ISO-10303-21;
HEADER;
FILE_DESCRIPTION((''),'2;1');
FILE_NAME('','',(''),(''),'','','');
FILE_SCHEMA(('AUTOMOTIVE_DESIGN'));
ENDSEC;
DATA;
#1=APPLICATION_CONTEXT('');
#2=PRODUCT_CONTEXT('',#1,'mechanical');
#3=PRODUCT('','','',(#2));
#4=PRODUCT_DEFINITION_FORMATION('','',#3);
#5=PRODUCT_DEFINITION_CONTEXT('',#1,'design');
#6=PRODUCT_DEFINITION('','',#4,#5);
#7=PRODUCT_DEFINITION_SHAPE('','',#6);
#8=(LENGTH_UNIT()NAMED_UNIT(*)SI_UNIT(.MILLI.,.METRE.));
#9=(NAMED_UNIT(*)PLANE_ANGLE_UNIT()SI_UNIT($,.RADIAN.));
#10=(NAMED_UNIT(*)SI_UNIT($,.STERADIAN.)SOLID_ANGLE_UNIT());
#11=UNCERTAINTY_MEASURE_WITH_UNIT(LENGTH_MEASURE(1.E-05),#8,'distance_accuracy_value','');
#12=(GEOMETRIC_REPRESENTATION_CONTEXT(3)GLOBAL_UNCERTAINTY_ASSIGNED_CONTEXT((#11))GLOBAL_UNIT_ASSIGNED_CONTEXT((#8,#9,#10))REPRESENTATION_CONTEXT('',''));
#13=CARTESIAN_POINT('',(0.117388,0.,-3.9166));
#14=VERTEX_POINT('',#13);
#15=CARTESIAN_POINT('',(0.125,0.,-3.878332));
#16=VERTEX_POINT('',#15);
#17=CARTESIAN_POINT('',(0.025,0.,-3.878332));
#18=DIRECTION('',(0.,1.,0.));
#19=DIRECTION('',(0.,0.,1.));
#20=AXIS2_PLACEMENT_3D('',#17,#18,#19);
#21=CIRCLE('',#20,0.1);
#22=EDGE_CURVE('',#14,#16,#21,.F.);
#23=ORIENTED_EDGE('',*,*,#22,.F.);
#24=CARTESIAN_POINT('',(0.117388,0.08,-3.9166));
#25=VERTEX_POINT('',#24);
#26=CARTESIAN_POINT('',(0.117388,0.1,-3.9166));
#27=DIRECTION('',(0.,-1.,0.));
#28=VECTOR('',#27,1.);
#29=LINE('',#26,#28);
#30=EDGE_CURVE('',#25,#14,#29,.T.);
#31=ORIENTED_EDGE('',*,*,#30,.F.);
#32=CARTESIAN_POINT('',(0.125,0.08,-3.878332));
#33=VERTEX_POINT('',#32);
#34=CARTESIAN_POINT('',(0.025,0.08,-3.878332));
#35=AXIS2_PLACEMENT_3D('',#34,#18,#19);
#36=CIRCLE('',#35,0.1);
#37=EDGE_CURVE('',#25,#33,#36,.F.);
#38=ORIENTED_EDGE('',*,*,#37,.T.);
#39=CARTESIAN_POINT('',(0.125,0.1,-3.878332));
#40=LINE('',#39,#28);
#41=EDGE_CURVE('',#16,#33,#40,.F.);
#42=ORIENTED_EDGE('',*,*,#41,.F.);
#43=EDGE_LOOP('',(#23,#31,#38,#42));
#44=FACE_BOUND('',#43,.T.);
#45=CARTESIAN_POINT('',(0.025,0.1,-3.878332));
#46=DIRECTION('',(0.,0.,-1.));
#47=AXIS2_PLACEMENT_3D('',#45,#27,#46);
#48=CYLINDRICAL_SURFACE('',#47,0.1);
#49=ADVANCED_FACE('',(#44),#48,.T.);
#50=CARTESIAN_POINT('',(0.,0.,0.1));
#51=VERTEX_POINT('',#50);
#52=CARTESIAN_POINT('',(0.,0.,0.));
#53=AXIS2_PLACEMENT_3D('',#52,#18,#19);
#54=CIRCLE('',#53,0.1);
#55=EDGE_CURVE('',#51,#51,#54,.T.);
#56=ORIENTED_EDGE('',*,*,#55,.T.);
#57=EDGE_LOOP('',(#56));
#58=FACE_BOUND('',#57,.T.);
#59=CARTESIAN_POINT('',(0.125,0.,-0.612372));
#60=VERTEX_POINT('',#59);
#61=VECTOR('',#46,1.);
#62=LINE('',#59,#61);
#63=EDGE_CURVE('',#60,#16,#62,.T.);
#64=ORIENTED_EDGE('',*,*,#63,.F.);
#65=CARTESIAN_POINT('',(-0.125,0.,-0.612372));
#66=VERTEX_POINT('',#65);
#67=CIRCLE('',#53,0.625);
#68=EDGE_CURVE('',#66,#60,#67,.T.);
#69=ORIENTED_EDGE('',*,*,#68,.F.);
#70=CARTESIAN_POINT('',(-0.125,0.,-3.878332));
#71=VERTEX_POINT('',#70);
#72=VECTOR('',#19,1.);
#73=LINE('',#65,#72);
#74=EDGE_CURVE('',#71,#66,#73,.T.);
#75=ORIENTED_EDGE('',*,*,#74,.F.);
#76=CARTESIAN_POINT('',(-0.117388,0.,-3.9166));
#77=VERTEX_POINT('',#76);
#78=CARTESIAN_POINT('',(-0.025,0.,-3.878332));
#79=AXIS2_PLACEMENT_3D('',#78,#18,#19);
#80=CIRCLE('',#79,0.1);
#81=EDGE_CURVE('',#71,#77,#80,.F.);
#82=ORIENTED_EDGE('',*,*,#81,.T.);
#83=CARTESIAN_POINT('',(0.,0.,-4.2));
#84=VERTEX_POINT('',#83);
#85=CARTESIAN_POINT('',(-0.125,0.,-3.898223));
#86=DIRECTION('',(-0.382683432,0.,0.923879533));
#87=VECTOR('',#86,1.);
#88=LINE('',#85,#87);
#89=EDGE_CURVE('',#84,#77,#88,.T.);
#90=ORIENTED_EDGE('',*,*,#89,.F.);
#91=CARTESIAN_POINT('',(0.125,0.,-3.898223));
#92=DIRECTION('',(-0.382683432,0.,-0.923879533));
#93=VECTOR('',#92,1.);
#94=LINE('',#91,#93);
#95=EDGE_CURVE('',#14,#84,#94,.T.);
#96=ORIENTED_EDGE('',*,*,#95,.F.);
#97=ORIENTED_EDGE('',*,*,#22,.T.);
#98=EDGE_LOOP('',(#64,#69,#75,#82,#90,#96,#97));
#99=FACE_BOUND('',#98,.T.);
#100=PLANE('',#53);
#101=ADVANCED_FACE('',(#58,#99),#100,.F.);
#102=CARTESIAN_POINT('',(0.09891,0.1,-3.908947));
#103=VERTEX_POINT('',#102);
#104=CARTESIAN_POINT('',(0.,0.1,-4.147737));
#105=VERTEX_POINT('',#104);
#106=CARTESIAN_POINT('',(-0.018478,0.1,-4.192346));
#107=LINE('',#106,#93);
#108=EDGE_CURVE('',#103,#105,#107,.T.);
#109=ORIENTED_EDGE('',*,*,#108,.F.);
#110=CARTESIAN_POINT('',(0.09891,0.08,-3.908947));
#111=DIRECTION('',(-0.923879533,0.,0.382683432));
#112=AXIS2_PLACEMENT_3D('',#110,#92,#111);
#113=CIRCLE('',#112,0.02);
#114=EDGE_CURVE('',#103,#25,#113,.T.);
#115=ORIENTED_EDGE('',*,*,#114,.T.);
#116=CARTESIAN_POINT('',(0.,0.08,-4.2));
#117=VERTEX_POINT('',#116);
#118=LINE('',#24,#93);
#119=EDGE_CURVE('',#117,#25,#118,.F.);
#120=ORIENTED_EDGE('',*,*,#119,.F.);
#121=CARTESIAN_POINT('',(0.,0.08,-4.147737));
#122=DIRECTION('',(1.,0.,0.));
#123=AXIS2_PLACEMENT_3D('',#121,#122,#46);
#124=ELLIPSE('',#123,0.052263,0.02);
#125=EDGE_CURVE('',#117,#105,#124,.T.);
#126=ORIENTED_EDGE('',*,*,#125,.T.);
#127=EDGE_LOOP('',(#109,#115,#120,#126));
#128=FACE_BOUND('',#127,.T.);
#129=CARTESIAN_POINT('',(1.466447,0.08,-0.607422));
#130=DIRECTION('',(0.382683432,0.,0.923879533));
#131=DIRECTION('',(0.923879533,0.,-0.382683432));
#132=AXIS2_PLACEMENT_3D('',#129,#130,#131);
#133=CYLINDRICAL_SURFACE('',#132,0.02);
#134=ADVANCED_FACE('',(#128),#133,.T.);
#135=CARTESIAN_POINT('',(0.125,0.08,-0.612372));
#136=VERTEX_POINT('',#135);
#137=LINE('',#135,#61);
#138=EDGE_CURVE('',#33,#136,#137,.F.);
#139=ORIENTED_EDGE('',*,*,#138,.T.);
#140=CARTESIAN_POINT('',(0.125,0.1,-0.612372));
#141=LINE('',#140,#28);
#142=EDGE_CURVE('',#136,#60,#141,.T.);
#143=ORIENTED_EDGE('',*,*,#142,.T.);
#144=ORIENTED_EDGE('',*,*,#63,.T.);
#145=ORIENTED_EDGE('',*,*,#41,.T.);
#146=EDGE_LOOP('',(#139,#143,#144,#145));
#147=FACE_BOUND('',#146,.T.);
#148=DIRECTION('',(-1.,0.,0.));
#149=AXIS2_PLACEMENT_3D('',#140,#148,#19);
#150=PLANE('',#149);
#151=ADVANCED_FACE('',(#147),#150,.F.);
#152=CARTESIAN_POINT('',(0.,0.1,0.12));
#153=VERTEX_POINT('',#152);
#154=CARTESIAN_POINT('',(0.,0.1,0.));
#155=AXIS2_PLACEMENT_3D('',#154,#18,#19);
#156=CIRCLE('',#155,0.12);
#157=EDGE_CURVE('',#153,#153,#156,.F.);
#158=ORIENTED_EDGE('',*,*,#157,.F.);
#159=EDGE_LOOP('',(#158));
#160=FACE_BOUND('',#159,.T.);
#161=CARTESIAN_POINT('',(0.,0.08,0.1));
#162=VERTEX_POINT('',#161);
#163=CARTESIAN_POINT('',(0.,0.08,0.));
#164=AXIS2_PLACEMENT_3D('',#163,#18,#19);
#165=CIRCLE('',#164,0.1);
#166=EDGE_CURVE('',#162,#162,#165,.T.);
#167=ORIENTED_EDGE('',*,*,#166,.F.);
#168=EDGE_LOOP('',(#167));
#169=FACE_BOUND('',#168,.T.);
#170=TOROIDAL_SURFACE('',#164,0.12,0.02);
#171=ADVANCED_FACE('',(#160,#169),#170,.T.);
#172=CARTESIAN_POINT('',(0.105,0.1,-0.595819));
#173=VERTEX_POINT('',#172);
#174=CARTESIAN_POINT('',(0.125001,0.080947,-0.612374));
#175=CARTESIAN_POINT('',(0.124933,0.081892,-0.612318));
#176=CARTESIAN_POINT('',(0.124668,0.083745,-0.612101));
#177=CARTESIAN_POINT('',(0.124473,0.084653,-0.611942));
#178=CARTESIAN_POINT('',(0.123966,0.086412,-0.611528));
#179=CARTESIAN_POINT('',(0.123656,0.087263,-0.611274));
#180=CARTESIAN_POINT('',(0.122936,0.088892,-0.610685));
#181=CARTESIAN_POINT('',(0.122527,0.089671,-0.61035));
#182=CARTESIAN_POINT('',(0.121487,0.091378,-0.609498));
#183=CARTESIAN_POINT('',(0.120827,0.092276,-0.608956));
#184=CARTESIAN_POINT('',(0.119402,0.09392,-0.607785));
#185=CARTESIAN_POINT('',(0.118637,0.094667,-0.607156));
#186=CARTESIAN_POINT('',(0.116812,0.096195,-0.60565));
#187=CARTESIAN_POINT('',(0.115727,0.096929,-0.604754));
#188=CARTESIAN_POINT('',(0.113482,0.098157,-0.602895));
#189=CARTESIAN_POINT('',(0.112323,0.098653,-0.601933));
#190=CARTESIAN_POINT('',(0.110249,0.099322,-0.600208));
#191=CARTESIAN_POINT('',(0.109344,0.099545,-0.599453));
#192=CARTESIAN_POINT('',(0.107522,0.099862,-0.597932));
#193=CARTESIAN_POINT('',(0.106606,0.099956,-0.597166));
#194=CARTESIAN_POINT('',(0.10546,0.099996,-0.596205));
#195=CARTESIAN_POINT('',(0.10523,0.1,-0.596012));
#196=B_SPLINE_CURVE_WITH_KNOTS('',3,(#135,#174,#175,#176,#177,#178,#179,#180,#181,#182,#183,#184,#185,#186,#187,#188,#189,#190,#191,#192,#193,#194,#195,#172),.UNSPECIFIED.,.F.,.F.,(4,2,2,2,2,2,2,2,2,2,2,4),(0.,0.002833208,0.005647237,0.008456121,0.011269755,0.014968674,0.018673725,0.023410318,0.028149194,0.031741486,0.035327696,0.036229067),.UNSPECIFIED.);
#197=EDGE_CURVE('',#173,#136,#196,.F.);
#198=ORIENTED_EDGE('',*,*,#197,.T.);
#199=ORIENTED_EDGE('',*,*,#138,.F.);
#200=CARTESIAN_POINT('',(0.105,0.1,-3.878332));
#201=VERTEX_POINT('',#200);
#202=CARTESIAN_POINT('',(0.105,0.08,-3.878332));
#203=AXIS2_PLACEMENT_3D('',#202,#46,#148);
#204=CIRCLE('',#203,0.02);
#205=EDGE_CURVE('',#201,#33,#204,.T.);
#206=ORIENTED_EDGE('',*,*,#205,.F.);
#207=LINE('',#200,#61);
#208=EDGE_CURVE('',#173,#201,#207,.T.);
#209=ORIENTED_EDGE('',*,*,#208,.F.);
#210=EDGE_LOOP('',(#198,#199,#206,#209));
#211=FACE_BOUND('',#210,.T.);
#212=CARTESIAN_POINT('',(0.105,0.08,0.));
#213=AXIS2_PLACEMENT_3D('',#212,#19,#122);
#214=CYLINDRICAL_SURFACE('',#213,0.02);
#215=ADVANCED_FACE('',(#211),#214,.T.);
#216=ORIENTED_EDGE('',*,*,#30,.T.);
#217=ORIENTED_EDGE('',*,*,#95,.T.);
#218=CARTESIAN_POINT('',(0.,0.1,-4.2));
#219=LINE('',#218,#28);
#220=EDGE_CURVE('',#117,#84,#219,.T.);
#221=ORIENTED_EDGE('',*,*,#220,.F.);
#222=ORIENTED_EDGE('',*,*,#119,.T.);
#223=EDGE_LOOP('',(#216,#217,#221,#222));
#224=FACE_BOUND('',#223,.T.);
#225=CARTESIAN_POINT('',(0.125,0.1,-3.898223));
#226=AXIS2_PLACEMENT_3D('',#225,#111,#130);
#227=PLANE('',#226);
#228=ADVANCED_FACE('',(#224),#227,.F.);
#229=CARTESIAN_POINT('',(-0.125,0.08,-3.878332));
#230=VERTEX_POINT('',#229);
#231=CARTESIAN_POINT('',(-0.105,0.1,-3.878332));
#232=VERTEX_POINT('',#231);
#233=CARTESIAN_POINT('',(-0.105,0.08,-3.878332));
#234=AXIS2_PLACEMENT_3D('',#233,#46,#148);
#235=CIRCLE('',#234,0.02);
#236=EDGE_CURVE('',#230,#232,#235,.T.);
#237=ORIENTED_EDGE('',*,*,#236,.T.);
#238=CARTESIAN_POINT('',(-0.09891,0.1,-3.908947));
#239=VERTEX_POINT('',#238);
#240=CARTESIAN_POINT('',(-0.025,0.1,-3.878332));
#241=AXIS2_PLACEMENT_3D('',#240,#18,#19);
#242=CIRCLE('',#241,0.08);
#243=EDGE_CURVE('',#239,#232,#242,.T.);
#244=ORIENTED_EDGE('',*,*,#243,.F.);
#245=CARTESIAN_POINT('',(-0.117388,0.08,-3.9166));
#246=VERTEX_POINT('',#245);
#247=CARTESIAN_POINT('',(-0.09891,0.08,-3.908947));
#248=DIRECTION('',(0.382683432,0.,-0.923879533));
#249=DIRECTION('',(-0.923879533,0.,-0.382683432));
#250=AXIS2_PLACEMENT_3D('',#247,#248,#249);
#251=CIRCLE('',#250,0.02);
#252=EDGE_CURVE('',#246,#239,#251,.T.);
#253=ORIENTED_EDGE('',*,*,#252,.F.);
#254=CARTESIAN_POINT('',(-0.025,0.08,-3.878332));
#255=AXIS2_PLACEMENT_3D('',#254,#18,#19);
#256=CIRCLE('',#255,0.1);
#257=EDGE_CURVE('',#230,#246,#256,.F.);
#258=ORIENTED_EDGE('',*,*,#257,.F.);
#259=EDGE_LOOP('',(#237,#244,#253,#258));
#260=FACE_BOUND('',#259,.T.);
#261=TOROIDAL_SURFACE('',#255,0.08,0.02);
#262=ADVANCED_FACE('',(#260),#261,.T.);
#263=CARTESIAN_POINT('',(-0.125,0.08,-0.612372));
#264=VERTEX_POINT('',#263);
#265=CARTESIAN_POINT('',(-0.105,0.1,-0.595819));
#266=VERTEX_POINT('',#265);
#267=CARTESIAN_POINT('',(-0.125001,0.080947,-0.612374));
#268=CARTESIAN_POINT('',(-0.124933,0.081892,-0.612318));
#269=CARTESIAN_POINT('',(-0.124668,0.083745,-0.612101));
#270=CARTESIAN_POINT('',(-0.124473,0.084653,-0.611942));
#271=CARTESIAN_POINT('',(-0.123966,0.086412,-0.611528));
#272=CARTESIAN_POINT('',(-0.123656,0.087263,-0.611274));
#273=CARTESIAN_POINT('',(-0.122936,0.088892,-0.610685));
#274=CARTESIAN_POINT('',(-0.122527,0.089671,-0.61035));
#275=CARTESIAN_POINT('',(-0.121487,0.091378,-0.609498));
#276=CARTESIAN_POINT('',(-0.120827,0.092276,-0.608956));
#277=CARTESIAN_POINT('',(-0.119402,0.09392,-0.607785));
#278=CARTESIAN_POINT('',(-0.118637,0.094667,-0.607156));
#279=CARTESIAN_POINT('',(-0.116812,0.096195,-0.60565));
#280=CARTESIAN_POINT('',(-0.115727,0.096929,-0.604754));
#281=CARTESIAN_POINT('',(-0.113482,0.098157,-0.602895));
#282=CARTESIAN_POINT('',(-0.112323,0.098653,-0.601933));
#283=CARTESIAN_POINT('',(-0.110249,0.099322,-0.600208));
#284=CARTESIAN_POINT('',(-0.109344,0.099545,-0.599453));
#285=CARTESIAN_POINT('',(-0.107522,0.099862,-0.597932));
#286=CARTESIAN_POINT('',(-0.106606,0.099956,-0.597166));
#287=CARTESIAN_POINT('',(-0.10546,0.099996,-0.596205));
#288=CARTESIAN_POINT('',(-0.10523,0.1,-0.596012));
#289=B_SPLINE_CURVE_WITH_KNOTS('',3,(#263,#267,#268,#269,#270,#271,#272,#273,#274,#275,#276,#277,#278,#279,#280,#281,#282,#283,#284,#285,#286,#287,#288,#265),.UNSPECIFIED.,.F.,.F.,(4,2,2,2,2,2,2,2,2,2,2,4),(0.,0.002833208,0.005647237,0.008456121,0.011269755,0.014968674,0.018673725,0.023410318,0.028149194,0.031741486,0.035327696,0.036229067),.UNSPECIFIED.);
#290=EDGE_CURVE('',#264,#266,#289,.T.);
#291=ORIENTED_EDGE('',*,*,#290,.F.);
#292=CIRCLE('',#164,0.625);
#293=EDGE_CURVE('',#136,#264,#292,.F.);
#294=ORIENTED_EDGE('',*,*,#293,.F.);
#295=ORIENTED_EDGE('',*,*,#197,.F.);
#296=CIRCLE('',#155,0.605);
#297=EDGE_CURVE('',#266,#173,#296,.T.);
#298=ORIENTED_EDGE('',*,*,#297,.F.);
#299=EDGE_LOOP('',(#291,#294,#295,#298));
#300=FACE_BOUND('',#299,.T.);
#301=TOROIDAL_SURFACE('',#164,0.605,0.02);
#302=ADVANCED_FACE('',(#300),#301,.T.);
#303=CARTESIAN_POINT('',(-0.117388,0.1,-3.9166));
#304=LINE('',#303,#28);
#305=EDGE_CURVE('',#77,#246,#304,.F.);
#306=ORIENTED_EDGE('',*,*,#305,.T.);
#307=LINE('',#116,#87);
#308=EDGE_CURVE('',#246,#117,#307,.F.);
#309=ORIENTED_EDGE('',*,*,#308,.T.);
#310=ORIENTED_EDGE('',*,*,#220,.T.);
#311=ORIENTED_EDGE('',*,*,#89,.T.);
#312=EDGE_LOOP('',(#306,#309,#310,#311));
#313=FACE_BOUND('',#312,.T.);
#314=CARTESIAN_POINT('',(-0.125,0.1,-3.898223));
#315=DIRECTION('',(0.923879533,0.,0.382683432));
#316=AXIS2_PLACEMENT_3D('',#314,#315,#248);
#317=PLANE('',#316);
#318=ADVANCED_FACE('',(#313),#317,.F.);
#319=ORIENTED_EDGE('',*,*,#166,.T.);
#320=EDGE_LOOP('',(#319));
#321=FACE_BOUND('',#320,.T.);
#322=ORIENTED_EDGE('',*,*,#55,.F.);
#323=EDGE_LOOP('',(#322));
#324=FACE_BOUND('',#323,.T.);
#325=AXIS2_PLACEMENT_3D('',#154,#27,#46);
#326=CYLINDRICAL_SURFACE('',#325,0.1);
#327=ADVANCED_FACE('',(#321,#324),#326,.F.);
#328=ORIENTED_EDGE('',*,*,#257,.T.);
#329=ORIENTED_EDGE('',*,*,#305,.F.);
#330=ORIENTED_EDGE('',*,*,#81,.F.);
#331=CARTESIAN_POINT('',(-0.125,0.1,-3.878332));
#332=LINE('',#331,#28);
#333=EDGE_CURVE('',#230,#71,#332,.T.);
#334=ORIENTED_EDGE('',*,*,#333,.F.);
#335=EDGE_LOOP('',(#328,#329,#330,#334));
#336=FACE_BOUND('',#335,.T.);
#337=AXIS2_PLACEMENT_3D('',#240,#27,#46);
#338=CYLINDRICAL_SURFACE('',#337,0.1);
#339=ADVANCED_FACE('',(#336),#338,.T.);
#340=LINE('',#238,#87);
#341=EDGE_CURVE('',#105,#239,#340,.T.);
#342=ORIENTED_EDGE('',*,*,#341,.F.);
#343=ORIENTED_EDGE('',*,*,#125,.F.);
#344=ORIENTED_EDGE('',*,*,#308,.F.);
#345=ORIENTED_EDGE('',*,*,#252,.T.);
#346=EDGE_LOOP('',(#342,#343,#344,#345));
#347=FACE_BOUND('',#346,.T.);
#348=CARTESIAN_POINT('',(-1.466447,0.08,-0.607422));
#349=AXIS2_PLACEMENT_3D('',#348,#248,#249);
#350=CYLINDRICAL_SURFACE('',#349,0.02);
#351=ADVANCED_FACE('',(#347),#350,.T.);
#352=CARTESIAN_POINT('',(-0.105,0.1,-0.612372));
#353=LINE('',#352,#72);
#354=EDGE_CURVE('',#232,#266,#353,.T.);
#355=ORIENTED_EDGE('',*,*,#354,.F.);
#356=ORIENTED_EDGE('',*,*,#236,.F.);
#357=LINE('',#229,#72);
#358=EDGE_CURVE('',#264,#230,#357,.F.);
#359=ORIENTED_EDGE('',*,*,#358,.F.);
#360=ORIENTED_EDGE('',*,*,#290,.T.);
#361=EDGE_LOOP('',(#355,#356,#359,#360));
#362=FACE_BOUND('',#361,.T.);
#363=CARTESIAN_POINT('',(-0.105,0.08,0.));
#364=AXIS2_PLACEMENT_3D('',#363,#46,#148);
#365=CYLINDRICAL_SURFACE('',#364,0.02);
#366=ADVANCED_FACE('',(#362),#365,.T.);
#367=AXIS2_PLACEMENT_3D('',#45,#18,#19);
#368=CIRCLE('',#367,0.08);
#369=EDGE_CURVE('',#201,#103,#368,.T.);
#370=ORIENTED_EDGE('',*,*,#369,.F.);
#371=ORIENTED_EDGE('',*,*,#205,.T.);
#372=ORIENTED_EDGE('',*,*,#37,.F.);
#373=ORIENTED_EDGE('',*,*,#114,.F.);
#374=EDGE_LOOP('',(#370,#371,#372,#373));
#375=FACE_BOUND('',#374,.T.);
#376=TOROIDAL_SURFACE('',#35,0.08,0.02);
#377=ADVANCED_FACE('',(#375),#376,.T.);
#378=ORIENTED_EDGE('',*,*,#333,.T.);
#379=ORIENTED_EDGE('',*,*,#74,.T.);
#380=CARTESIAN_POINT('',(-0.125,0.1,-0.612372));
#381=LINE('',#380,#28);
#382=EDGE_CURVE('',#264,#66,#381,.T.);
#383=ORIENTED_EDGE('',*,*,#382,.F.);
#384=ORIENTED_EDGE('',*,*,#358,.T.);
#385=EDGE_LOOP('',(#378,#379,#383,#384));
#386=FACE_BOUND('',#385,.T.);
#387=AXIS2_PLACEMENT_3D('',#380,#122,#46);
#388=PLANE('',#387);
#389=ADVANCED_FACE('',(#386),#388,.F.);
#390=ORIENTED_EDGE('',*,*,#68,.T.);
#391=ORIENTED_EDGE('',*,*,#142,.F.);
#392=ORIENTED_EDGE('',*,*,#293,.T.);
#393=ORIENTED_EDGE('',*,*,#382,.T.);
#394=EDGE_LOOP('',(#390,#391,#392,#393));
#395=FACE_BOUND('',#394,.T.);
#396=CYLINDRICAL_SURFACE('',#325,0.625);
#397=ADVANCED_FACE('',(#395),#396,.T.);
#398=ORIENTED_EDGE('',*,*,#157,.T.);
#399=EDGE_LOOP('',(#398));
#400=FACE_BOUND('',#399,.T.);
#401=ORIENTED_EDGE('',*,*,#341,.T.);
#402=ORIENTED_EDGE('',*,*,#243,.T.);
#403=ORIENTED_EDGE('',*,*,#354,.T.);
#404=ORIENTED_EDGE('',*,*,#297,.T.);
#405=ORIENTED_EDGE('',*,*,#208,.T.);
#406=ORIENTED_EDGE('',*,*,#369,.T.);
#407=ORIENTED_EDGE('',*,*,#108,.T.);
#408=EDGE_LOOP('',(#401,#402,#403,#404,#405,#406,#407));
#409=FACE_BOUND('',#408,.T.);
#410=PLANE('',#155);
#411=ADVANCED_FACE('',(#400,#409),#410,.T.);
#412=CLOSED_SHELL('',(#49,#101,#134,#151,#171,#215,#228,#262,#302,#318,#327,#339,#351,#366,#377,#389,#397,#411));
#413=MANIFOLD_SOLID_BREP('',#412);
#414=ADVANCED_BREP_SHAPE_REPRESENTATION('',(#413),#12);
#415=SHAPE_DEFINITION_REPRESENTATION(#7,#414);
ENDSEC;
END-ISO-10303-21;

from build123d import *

# Parameters (mm, degrees)
SKETCH_1_R      = 0.1
EXTRUDE_1_DEPTH = 0.1
FILLET_1_R      = 0.1
FILLET_2_R      = 0.02


with BuildPart() as part:
    # 草图1 → 凸台-拉伸1 (new body)
    with BuildSketch(Plane(origin=(0, 0, 0), x_dir=(1, 0, 0), z_dir=(0, 1, 0))):
        with BuildLine():
            Line((-0.125, 3.898223305), (0, 4.2))
            Line((0, 4.2), (0.125, 3.898223305))
            Line((0.125, 3.898223305), (0.125, 0.612372436))
            ThreePointArc((0.125, 0.612372436), (0, -0.625), (-0.125, 0.612372436))
            Line((-0.125, 0.612372436), (-0.125, 3.898223305))
        make_face()
        with Locations(Location((0, 0, 0), (0, 0, 270))):
            Circle(SKETCH_1_R, mode=Mode.SUBTRACT)
    extrude(amount=EXTRUDE_1_DEPTH)

    # 圆角1
    fillet_1_edges = [part.edges().sort_by_distance(p)[0] for p in [
        (0.125, 0.05, -3.898223305),
        (-0.125, 0.05, -3.898223305),
    ]]
    fillet(fillet_1_edges, radius=FILLET_1_R)

    # 圆角2
    fillet_2_edges = [part.edges().sort_by_distance(p)[0] for p in [
        (-0.125, 0.1, -2.245352252),
        (-0.123078528, 0.1, -3.8978411),
        (0, 0.1, 0.625),
        (-0.058693977, 0.1, -4.058300206),
        (0.125, 0.1, -2.245352252),
        (0.058693977, 0.1, -4.058300206),
        (0.123078528, 0.1, -3.8978411),
        (0, 0.1, -0.1),
    ]]
    fillet(fillet_2_edges, radius=FILLET_2_R)


solid = part.part
